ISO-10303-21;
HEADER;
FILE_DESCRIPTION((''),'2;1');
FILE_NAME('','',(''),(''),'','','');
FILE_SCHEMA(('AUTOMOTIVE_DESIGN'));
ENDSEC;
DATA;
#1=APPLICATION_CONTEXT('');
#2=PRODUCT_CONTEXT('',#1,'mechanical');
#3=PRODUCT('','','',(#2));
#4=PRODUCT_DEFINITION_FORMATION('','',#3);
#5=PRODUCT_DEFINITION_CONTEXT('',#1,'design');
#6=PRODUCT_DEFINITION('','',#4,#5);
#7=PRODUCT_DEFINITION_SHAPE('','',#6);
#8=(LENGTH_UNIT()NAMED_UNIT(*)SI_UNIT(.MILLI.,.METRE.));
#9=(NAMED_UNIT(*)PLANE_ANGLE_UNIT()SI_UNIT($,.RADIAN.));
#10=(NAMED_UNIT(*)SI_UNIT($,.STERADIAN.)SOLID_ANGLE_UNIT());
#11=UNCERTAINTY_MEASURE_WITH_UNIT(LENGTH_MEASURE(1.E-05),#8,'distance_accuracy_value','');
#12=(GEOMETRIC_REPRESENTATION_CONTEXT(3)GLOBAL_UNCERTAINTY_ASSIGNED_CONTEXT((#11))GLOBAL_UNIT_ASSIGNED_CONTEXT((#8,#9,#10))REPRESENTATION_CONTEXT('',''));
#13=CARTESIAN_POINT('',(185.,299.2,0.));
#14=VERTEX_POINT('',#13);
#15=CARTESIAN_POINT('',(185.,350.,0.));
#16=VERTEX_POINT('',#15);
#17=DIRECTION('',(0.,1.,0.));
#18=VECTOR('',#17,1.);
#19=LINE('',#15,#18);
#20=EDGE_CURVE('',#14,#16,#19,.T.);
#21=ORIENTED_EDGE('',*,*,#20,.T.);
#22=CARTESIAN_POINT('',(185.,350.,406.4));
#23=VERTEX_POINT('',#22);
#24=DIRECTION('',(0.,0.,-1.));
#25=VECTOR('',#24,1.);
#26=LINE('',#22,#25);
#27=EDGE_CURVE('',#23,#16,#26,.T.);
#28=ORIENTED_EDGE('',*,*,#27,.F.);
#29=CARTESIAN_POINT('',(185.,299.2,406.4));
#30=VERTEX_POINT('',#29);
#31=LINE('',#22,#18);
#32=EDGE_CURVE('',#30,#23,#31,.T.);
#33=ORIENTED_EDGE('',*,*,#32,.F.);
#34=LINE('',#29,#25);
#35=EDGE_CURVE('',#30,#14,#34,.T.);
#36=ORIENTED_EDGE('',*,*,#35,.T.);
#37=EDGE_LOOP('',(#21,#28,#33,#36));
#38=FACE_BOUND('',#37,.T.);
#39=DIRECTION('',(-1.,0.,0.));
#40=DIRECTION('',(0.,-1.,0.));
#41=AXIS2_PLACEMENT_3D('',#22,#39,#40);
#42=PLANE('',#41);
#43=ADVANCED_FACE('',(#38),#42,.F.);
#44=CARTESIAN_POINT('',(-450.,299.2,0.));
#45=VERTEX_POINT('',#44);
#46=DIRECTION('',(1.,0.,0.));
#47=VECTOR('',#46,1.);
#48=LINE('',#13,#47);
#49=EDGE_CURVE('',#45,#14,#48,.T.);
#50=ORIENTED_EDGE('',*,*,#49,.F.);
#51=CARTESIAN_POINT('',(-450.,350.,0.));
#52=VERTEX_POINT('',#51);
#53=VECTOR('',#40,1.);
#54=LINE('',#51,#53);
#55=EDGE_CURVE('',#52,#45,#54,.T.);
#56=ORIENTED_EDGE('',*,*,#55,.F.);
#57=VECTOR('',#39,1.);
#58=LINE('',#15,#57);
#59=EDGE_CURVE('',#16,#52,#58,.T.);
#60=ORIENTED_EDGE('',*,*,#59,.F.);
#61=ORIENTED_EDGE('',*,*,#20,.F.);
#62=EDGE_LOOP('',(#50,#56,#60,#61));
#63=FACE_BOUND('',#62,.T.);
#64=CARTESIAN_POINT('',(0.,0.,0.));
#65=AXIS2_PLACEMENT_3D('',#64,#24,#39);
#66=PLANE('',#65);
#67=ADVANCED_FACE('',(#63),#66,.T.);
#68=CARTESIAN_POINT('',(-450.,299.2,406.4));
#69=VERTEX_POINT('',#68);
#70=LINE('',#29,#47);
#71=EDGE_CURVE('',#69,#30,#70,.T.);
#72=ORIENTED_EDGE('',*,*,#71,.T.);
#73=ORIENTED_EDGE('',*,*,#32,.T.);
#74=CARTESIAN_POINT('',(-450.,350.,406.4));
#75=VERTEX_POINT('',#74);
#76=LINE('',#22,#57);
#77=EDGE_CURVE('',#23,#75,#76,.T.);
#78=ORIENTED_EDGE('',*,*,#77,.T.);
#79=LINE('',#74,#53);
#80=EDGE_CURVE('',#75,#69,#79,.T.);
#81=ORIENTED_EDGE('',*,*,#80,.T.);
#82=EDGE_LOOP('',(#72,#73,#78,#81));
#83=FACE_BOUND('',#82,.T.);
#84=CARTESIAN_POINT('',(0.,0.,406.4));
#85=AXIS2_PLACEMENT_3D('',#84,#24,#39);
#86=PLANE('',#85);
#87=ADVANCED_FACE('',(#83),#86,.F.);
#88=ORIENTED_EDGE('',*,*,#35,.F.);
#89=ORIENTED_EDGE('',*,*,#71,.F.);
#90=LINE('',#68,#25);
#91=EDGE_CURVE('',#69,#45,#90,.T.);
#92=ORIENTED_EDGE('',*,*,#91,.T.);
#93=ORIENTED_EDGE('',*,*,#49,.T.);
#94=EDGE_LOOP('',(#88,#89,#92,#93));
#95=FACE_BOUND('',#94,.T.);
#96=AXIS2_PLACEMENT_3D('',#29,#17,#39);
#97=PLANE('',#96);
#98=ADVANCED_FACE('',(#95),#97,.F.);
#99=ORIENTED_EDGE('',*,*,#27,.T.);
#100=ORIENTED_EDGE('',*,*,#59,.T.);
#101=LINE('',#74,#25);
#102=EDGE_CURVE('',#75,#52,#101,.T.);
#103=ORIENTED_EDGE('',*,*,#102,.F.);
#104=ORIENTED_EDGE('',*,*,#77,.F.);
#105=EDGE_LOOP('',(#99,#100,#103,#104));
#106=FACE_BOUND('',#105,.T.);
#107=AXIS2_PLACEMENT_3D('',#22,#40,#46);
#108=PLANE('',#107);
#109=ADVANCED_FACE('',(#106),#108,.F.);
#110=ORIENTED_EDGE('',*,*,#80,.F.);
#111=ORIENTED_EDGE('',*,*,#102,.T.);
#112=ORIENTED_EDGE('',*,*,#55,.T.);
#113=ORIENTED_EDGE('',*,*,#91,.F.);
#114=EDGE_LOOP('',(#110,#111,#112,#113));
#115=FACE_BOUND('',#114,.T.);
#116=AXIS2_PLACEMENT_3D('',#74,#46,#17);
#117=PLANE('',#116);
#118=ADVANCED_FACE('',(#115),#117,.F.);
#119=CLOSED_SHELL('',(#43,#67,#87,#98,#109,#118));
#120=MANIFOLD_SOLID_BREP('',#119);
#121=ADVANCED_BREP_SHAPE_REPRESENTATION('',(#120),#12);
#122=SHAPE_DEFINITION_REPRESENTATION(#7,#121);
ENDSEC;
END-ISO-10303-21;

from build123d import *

# Parameters (mm, degrees)
SKETCH1_W           = 635
SKETCH1_H           = 50.8
BOSS_EXTRUDE1_DEPTH = 406.4


with BuildPart() as part:
    # Sketch1 → Boss-Extrude1 (new body)
    with BuildSketch(Plane.XY):
        with Locations((-132.5, 324.6)):
            Rectangle(SKETCH1_W, SKETCH1_H)
    extrude(amount=BOSS_EXTRUDE1_DEPTH)


solid = part.part
